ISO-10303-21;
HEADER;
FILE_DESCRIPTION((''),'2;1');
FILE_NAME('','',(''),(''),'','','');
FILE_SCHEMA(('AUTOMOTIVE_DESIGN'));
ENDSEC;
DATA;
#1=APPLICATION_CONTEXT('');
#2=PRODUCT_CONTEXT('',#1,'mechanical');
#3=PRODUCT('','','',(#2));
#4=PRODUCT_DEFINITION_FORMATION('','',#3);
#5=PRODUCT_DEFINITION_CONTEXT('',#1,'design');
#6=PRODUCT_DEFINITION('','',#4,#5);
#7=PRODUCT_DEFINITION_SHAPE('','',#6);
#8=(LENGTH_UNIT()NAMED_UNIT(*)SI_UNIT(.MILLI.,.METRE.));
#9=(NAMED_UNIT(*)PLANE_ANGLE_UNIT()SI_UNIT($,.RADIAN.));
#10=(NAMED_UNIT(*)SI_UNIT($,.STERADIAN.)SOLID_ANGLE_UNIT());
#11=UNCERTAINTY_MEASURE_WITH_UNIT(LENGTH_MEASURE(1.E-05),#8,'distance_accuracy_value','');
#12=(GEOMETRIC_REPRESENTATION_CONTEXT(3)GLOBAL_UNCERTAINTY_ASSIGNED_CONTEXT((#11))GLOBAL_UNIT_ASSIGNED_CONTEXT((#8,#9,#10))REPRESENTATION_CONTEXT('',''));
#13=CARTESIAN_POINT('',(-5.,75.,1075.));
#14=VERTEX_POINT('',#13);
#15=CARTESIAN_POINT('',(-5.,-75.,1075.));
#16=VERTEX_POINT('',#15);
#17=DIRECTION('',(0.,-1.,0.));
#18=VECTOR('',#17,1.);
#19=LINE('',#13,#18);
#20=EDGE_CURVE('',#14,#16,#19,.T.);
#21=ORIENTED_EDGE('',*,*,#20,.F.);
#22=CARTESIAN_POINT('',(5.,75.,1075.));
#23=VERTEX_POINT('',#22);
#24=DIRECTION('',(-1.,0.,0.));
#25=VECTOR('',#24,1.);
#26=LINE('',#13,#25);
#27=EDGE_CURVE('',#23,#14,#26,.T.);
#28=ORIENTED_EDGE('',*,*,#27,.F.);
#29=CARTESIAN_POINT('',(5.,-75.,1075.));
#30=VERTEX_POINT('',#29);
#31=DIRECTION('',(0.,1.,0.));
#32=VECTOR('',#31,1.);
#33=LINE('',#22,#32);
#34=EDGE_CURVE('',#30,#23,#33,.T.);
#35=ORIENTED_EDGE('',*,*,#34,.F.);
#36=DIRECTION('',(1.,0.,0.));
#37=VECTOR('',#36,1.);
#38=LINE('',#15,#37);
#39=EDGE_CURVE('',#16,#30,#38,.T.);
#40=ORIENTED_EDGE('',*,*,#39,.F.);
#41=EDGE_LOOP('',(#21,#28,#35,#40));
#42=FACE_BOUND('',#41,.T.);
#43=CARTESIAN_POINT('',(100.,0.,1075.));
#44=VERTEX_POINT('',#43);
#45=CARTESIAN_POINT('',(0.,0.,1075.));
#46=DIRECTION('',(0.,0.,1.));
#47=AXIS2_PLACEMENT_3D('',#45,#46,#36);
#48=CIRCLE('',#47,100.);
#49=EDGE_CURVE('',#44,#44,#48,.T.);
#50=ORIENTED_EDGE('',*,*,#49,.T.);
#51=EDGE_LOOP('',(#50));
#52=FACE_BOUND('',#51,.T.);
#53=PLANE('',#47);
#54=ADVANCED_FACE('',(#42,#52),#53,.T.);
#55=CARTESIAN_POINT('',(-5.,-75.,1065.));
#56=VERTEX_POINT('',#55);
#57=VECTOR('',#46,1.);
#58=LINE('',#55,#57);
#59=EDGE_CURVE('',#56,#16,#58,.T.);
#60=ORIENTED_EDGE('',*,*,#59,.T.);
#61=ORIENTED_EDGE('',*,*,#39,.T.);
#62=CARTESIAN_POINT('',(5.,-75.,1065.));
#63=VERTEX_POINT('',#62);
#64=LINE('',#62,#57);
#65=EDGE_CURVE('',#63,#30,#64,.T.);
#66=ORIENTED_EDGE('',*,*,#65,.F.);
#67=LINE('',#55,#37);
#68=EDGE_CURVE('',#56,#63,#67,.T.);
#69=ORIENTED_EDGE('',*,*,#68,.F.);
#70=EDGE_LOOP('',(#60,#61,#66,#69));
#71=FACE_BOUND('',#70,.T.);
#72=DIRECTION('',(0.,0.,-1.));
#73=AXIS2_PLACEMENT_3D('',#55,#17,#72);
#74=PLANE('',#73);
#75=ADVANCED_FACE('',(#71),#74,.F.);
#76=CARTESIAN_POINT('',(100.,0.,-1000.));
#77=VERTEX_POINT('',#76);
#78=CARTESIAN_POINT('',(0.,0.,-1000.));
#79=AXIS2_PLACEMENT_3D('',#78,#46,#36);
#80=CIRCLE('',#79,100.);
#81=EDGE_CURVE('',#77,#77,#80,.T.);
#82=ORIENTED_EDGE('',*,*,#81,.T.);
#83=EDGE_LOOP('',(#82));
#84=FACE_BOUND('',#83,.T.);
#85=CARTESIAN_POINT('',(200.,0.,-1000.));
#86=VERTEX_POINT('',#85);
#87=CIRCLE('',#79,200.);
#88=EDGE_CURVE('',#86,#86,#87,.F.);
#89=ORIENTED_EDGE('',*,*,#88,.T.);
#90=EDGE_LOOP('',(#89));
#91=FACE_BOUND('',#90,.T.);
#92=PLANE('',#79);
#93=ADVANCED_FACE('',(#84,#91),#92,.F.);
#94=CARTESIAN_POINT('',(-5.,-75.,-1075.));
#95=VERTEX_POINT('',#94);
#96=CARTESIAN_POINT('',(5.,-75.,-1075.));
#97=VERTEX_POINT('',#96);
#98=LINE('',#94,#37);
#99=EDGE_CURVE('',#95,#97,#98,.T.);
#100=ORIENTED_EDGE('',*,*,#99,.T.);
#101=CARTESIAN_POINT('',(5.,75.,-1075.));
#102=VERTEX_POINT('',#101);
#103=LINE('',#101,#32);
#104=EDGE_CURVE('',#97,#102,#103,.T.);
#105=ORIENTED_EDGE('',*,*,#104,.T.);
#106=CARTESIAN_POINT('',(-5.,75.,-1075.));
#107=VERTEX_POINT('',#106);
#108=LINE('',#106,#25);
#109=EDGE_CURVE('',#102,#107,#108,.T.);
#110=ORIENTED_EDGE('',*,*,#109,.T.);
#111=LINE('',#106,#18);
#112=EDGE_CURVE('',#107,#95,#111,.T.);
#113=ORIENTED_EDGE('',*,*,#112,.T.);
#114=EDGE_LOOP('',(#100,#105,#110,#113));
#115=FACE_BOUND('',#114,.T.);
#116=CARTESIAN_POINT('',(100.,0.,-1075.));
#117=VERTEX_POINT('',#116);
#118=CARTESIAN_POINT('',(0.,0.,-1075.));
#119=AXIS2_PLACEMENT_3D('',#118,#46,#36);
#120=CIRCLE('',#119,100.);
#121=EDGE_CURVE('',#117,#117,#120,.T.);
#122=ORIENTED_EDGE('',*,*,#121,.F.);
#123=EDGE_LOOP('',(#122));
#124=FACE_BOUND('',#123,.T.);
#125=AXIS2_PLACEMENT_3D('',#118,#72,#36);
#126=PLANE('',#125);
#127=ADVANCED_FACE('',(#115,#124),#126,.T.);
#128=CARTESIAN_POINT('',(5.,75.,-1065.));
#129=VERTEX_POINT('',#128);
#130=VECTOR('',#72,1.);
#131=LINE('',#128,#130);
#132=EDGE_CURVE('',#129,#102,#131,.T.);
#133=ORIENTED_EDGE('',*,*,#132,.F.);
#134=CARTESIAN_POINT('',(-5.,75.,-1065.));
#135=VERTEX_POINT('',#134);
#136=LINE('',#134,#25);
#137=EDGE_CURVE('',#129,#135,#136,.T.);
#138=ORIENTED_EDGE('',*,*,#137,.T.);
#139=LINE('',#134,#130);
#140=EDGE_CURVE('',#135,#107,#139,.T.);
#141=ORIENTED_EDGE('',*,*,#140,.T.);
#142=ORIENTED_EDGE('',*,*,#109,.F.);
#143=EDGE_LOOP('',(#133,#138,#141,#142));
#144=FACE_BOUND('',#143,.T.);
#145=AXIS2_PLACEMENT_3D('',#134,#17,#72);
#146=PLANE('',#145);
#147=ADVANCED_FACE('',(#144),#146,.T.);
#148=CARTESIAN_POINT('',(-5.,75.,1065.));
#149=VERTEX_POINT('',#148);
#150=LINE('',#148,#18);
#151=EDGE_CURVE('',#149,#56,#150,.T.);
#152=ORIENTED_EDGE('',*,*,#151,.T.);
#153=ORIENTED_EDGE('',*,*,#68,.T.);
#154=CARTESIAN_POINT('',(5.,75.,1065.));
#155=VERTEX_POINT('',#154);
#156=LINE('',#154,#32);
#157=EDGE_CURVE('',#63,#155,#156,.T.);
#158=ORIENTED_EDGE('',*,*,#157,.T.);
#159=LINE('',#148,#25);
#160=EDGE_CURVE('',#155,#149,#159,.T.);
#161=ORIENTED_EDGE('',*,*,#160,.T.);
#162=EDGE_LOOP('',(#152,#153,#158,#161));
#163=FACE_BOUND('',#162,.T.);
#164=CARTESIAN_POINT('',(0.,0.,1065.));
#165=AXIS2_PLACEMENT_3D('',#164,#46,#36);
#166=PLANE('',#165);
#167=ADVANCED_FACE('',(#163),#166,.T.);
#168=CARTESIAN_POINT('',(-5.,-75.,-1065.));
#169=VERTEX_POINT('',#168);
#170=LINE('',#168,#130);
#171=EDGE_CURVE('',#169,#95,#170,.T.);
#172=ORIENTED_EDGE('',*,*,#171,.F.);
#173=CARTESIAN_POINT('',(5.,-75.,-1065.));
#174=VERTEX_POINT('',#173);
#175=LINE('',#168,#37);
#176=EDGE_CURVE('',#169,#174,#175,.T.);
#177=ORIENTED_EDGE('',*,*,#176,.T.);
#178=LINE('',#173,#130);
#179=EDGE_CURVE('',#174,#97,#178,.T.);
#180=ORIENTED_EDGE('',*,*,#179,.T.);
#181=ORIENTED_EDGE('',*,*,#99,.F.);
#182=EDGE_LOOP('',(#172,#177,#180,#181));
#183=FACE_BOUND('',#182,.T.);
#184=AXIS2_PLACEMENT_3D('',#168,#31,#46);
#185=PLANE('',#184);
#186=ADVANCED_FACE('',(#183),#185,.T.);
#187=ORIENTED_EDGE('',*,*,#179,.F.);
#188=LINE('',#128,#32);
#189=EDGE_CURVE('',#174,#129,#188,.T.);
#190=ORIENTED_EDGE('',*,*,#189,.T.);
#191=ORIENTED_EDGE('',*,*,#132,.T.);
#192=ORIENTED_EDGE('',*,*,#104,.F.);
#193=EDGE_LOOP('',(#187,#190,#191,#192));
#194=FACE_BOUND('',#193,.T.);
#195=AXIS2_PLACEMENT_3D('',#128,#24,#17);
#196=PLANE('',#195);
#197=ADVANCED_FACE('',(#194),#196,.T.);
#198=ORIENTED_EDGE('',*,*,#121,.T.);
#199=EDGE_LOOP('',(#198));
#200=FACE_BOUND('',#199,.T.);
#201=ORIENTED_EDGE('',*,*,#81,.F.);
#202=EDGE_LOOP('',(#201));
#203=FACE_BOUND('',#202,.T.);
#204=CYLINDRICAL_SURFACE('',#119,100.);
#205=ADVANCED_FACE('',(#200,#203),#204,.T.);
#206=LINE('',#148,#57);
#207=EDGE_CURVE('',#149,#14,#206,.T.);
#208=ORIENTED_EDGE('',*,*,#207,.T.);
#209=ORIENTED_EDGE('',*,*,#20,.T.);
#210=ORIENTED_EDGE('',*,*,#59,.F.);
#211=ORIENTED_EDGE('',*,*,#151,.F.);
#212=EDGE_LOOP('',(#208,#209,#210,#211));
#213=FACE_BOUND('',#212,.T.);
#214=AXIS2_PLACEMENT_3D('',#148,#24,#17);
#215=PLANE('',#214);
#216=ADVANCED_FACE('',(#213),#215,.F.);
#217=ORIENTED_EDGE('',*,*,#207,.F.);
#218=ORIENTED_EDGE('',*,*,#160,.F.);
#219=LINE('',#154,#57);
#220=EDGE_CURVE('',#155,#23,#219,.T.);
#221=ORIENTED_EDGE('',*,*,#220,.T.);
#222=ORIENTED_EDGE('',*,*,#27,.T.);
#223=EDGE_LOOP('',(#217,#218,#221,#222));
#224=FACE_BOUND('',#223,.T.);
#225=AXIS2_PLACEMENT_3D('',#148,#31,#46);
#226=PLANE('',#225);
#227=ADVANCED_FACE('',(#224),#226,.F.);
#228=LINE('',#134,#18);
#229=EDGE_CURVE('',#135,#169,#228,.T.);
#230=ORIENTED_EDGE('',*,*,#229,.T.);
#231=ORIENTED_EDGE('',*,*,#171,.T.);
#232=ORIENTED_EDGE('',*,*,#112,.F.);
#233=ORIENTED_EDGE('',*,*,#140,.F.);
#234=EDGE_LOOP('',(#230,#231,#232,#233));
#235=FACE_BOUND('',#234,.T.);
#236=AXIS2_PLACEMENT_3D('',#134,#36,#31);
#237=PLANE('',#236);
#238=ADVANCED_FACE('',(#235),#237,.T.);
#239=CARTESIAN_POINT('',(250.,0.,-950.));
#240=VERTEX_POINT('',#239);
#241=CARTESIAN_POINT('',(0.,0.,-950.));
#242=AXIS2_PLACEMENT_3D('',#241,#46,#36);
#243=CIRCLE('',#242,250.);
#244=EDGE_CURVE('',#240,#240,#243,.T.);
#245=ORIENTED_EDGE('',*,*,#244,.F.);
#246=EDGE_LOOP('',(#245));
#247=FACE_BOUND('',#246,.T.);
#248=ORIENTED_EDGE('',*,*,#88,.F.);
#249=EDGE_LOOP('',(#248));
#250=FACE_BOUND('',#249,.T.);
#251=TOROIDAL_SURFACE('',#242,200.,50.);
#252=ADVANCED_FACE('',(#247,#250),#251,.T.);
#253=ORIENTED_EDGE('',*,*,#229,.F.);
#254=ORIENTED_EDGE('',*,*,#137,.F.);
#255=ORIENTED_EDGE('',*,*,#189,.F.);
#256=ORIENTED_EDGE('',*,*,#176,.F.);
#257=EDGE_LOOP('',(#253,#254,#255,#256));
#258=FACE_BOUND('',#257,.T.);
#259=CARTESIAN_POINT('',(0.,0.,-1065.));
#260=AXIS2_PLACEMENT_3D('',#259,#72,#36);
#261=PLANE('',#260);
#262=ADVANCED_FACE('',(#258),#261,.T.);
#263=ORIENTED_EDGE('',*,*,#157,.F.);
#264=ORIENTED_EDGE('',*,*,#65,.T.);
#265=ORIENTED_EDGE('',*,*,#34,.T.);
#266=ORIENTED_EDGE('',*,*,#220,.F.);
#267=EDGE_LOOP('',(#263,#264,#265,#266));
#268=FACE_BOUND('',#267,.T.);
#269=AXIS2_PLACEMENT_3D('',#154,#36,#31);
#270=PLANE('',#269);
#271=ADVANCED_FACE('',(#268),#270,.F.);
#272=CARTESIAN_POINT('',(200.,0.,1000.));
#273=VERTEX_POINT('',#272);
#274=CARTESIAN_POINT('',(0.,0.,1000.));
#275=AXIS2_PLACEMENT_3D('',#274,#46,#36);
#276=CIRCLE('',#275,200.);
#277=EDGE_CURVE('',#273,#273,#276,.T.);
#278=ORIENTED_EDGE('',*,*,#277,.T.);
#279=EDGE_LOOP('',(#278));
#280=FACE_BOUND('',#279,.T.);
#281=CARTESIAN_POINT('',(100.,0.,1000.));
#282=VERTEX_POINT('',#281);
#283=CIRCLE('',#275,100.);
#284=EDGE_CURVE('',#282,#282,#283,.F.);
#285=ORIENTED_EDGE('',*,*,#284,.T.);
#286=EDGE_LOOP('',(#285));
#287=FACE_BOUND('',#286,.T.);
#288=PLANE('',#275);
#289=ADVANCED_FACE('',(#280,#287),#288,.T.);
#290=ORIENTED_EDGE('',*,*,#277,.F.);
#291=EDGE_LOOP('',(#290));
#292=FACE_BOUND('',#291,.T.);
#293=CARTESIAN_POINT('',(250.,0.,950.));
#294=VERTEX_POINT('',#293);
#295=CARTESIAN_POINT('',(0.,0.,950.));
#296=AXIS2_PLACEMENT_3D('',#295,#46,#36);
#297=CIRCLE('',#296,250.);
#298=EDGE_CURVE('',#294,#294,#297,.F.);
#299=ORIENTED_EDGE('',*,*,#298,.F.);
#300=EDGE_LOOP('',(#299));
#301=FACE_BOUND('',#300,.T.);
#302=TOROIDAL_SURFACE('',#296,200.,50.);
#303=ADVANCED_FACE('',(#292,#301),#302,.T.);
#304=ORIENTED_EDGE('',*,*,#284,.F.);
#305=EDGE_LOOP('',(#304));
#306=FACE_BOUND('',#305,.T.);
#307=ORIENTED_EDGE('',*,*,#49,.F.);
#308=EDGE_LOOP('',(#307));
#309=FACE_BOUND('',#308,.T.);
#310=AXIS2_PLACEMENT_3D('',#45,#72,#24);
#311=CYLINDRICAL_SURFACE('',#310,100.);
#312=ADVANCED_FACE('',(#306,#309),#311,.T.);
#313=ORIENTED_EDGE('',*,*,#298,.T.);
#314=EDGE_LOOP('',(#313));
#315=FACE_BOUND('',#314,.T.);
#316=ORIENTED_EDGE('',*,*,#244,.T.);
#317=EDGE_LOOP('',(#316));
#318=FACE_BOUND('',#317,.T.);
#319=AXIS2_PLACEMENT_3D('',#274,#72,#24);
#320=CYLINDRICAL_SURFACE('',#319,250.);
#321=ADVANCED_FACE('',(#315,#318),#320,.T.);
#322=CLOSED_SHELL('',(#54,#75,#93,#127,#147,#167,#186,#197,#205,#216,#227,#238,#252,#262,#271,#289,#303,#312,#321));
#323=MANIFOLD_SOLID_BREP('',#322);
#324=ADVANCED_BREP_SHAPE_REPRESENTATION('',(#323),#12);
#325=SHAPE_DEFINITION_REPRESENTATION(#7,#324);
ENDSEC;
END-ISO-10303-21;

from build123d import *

# Parameters (mm, degrees)
SKETCH1_R           = 250
BOSS_EXTRUDE4_DEPTH = 1000
SKETCH6_R           = 100
BOSS_EXTRUDE5_DEPTH = 75
SKETCH8_W           = 10
SKETCH8_H           = 150
CUT_EXTRUDE7_DEPTH  = 10
FILLET1_R           = 50


with BuildPart() as part:
    # Sketch1 → Boss-Extrude4 (new, symmetric)
    with BuildSketch(Plane.XY):
        Circle(SKETCH1_R)
    extrude(amount=BOSS_EXTRUDE4_DEPTH, both=True)

    # Sketch6 → Boss-Extrude5 (add, symmetric)
    with BuildSketch(Plane.XY.offset(1000)):
        Circle(SKETCH6_R)
    boss_extrude5 = extrude(amount=BOSS_EXTRUDE5_DEPTH, both=True)

    # Sketch8 → Cut-Extrude7 (cut)
    with BuildSketch(Plane.XY.offset(1075)):
        Rectangle(SKETCH8_W, SKETCH8_H)
    cut_extrude7 = extrude(amount=-CUT_EXTRUDE7_DEPTH, mode=Mode.SUBTRACT)

    # Mirror3: Boss-Extrude5, Cut-Extrude7 across plane
    add(boss_extrude5.mirror(Plane.XY))
    add(cut_extrude7.mirror(Plane.XY), mode=Mode.SUBTRACT)

    # Fillet1
    fillet1_edges = [part.edges().sort_by_distance(p)[0] for p in [
        (-250, 0, -1000),
        (-250, 0, 1000),
    ]]
    fillet(fillet1_edges, radius=FILLET1_R)


solid = part.part
